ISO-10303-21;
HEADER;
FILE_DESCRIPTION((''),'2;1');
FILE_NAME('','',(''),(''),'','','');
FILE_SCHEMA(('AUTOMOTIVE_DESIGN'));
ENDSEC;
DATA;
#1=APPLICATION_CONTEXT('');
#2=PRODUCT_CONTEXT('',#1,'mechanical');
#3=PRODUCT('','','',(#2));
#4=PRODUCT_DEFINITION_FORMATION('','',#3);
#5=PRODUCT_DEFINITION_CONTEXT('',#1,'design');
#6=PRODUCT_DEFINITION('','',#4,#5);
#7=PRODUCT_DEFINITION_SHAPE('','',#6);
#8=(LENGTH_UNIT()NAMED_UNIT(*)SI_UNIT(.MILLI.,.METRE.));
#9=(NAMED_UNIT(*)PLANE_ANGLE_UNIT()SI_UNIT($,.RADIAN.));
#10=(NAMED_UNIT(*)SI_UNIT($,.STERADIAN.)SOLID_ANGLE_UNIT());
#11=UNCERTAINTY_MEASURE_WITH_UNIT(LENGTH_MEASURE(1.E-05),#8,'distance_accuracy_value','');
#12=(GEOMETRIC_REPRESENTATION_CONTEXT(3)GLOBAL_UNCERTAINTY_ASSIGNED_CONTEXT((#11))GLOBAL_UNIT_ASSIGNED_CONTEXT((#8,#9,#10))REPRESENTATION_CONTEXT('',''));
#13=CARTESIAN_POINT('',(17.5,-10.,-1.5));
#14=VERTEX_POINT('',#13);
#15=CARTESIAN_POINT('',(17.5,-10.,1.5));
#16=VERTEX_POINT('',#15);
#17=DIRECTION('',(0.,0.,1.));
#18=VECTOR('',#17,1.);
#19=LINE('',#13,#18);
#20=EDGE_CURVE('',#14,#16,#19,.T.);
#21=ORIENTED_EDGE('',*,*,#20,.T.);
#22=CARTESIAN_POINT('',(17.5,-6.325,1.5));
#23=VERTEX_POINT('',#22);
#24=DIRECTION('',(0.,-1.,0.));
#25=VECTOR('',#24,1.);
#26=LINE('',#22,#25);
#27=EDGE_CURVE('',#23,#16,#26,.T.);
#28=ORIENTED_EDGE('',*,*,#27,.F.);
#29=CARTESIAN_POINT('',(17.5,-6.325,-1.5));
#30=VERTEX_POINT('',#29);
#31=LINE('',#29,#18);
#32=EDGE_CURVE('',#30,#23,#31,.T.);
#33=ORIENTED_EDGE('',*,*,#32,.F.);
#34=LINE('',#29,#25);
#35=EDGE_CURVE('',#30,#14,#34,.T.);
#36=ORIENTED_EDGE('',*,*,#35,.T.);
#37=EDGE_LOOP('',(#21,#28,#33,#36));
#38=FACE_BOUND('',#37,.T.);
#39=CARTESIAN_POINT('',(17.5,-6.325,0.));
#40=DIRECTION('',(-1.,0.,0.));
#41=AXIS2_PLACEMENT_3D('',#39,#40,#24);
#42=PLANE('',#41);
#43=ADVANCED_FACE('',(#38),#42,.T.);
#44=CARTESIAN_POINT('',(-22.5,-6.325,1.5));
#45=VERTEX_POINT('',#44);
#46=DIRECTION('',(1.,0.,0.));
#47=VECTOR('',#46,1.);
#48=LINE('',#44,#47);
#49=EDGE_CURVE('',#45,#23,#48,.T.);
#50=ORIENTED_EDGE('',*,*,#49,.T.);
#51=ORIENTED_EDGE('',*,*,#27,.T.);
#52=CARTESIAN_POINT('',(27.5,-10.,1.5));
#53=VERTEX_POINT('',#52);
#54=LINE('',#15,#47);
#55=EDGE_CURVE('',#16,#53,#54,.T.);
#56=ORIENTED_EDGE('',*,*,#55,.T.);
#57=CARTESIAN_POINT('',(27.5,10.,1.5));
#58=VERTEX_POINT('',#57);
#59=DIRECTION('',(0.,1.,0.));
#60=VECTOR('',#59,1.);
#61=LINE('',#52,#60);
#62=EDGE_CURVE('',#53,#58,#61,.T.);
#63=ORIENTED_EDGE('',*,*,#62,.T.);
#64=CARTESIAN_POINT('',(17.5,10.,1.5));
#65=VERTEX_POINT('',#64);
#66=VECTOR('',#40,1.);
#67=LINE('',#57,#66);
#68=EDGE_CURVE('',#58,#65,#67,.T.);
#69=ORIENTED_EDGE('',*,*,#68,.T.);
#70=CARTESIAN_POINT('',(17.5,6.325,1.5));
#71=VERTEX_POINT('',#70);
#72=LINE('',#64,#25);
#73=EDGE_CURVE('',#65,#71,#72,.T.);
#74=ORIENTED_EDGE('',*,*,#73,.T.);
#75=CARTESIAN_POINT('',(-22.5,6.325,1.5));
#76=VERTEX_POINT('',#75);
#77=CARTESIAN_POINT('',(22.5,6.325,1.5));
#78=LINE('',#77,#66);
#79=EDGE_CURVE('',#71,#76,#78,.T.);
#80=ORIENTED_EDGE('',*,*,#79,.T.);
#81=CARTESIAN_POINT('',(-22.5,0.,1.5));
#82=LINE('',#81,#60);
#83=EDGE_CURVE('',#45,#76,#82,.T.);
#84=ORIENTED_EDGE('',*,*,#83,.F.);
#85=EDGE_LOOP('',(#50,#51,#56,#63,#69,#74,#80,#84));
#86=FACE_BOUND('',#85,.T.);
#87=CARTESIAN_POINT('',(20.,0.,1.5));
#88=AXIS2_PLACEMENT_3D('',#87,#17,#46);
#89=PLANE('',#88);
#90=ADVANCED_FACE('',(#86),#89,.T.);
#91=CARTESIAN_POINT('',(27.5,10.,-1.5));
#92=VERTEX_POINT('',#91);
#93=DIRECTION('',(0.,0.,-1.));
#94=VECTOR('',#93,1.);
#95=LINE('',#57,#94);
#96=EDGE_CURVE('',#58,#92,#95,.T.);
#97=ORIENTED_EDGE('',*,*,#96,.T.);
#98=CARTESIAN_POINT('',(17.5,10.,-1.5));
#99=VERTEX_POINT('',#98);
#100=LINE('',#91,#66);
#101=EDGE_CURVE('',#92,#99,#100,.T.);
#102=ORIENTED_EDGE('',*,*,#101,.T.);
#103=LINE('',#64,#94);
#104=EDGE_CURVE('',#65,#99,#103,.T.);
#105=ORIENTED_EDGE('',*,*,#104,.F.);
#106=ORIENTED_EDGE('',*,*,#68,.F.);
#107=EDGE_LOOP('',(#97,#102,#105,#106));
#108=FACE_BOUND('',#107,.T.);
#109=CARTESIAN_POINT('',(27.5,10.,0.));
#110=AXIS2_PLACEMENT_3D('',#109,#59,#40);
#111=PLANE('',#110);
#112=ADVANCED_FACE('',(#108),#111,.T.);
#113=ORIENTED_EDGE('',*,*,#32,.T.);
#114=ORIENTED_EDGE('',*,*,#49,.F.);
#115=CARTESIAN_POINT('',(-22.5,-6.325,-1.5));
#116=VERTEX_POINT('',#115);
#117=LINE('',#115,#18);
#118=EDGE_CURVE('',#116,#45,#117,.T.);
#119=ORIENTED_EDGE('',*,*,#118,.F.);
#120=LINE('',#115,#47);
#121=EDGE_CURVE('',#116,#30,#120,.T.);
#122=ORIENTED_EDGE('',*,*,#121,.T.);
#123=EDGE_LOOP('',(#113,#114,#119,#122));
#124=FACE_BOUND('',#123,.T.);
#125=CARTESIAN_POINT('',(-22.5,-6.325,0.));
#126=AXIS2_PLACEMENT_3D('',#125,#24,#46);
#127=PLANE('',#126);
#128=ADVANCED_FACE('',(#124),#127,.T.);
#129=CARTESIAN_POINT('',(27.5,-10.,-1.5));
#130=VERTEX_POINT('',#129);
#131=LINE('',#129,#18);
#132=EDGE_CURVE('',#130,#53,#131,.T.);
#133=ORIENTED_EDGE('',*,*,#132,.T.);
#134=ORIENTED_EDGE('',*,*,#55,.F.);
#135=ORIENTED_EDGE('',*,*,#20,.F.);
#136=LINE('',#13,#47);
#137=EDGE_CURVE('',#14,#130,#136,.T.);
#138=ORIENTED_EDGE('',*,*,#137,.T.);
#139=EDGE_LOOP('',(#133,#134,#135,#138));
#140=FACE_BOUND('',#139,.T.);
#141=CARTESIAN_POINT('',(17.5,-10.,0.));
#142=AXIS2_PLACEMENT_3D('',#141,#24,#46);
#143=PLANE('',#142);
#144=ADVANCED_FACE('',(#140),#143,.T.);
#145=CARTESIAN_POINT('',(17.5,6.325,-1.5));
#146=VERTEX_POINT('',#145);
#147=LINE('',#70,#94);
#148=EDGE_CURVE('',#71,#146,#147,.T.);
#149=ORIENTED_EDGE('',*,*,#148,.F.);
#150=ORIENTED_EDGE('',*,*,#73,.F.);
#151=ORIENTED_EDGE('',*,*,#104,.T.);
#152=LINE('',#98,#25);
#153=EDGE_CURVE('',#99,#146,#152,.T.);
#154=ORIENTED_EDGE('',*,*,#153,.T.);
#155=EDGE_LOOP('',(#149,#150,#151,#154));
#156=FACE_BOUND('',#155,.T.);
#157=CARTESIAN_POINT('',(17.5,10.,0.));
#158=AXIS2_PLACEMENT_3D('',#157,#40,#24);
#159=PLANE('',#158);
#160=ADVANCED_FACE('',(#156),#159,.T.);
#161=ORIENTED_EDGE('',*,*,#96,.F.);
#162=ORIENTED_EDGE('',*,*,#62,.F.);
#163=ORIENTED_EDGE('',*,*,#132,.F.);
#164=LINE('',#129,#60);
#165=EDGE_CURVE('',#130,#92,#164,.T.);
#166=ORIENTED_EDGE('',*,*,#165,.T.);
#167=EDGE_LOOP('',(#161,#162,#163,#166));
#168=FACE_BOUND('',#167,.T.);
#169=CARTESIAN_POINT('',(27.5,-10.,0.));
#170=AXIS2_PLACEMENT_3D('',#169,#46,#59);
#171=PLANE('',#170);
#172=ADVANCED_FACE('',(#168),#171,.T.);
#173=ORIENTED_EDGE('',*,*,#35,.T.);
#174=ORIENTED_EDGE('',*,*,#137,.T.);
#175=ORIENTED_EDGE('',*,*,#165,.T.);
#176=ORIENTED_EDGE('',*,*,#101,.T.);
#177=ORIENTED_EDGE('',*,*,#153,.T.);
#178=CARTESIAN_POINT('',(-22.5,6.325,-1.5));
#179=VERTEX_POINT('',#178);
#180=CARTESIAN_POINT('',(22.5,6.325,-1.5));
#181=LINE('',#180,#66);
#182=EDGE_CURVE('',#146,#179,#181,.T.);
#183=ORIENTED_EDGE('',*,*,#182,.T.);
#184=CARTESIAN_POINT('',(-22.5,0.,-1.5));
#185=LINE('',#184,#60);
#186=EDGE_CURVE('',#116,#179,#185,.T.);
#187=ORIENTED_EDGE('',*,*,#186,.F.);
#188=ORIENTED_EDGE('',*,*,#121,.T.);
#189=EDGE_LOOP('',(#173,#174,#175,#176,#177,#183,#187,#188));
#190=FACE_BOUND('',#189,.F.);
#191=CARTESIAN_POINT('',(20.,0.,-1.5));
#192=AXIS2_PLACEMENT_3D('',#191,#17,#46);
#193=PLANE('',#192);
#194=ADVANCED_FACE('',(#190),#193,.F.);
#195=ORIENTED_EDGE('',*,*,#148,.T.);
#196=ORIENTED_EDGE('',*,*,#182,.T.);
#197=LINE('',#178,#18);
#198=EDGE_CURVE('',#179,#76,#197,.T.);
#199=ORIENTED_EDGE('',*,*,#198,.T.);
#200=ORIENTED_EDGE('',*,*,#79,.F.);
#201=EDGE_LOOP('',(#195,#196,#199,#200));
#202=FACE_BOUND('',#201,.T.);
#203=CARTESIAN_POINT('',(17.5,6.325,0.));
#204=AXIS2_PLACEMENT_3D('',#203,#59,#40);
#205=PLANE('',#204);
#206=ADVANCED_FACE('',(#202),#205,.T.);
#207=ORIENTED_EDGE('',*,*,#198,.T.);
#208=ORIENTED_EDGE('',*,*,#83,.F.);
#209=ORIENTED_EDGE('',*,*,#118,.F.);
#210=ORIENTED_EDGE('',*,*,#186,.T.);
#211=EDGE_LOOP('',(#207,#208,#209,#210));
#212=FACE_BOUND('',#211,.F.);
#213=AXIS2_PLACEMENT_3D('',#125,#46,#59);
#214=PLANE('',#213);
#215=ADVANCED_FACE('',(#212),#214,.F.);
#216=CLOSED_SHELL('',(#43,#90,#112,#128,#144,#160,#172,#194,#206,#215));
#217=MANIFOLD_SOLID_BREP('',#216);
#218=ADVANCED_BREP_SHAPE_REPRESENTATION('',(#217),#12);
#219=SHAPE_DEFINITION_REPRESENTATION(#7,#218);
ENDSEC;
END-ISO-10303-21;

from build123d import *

# Parameters (mm, degrees)
F0_W     = 5
F0_H     = 12.65
F0_W_2   = 40
F1_DEPTH = 1.5


with BuildPart() as f1:
    # F0 (on Top) → F1 (new body, symmetric)
    with BuildSketch(Plane.XY):
        with Locations((20, 0)):
            Rectangle(F0_W, F0_H)
        with Locations((-2.5, 0)):
            Rectangle(F0_W_2, F0_H)
        Polygon((22.5, 6.325), (22.5, -6.325), (17.5, -6.325), (17.5, -10), (27.5, -10), (27.5, 10), (17.5, 10), (17.5, 6.325), align=None)
    extrude(amount=F1_DEPTH, both=True)


solid = f1.part
